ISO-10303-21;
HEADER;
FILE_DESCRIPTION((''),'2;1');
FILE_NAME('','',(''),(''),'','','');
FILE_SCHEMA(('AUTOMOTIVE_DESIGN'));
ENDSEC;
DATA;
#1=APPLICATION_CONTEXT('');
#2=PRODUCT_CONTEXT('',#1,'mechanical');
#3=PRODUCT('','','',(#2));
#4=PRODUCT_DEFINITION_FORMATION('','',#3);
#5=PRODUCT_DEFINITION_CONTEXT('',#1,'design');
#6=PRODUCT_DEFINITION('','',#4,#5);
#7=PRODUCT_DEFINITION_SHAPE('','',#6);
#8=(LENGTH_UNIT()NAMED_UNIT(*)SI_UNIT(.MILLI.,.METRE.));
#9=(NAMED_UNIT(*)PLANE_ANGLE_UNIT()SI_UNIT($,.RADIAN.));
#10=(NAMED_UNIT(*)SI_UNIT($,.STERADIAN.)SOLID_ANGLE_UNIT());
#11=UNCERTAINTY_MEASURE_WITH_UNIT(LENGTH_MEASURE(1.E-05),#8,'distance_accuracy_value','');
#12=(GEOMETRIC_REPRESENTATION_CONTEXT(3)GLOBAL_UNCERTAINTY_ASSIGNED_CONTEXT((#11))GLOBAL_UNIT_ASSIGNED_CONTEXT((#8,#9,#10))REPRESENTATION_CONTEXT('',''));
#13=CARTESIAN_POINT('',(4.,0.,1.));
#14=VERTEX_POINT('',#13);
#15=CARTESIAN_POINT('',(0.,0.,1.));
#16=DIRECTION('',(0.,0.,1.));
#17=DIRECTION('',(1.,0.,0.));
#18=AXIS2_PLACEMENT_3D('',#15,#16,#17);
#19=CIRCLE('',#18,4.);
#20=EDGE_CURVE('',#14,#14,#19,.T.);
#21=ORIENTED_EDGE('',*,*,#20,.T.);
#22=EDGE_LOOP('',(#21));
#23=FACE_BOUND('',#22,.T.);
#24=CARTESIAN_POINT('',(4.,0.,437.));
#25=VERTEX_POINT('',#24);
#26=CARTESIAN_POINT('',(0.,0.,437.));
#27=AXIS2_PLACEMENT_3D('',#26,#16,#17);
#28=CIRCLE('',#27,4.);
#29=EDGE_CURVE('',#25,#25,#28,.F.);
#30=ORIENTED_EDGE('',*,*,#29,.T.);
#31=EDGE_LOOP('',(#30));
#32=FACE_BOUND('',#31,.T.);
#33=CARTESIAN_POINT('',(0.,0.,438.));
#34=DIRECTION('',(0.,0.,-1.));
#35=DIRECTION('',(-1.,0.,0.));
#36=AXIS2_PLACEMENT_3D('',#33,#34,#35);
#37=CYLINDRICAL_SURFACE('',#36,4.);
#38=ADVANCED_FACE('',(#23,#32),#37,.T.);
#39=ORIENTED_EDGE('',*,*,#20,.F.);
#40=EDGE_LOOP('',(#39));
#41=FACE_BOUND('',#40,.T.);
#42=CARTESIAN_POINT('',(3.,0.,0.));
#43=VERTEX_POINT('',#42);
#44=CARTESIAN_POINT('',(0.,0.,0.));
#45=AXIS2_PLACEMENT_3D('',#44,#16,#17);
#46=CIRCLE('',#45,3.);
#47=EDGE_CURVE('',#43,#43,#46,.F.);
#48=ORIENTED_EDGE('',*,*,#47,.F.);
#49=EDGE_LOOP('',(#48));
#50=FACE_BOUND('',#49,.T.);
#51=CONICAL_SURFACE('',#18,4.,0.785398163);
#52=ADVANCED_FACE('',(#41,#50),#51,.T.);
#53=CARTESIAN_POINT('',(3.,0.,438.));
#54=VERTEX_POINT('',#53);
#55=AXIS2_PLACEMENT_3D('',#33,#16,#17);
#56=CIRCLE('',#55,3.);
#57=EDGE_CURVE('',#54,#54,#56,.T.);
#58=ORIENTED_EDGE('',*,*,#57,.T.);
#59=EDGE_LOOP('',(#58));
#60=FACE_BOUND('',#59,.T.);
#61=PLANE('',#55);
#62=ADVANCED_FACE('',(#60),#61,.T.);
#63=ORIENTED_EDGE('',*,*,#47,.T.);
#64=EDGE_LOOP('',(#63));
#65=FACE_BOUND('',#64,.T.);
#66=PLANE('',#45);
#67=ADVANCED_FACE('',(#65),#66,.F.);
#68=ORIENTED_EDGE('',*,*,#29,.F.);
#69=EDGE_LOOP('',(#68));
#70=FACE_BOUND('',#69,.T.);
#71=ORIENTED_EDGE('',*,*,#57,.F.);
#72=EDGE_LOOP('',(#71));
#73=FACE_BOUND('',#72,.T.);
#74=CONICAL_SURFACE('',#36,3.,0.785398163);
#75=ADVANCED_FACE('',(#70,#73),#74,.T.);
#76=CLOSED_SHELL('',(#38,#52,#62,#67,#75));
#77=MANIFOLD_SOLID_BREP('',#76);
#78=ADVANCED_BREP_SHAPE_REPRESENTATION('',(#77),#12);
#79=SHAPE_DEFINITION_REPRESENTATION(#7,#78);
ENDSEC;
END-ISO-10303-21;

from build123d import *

# Parameters (mm, degrees)
SCHIZZO1_R                   = 4
ESTRUSIONE_ESTRUSIONE1_DEPTH = 438
SMUSSO1_SIZE                 = 1


with BuildPart() as part:
    # Schizzo1 → Estrusione-Estrusione1 (new body)
    with BuildSketch(Plane.XY):
        Circle(SCHIZZO1_R)
    extrude(amount=ESTRUSIONE_ESTRUSIONE1_DEPTH)

    # Smusso1
    smusso1_edges = [part.edges().sort_by_distance(p)[0] for p in [
        (-4, 0, 0),
        (-4, 0, 438),
    ]]
    chamfer(smusso1_edges, length=SMUSSO1_SIZE)


solid = part.part
